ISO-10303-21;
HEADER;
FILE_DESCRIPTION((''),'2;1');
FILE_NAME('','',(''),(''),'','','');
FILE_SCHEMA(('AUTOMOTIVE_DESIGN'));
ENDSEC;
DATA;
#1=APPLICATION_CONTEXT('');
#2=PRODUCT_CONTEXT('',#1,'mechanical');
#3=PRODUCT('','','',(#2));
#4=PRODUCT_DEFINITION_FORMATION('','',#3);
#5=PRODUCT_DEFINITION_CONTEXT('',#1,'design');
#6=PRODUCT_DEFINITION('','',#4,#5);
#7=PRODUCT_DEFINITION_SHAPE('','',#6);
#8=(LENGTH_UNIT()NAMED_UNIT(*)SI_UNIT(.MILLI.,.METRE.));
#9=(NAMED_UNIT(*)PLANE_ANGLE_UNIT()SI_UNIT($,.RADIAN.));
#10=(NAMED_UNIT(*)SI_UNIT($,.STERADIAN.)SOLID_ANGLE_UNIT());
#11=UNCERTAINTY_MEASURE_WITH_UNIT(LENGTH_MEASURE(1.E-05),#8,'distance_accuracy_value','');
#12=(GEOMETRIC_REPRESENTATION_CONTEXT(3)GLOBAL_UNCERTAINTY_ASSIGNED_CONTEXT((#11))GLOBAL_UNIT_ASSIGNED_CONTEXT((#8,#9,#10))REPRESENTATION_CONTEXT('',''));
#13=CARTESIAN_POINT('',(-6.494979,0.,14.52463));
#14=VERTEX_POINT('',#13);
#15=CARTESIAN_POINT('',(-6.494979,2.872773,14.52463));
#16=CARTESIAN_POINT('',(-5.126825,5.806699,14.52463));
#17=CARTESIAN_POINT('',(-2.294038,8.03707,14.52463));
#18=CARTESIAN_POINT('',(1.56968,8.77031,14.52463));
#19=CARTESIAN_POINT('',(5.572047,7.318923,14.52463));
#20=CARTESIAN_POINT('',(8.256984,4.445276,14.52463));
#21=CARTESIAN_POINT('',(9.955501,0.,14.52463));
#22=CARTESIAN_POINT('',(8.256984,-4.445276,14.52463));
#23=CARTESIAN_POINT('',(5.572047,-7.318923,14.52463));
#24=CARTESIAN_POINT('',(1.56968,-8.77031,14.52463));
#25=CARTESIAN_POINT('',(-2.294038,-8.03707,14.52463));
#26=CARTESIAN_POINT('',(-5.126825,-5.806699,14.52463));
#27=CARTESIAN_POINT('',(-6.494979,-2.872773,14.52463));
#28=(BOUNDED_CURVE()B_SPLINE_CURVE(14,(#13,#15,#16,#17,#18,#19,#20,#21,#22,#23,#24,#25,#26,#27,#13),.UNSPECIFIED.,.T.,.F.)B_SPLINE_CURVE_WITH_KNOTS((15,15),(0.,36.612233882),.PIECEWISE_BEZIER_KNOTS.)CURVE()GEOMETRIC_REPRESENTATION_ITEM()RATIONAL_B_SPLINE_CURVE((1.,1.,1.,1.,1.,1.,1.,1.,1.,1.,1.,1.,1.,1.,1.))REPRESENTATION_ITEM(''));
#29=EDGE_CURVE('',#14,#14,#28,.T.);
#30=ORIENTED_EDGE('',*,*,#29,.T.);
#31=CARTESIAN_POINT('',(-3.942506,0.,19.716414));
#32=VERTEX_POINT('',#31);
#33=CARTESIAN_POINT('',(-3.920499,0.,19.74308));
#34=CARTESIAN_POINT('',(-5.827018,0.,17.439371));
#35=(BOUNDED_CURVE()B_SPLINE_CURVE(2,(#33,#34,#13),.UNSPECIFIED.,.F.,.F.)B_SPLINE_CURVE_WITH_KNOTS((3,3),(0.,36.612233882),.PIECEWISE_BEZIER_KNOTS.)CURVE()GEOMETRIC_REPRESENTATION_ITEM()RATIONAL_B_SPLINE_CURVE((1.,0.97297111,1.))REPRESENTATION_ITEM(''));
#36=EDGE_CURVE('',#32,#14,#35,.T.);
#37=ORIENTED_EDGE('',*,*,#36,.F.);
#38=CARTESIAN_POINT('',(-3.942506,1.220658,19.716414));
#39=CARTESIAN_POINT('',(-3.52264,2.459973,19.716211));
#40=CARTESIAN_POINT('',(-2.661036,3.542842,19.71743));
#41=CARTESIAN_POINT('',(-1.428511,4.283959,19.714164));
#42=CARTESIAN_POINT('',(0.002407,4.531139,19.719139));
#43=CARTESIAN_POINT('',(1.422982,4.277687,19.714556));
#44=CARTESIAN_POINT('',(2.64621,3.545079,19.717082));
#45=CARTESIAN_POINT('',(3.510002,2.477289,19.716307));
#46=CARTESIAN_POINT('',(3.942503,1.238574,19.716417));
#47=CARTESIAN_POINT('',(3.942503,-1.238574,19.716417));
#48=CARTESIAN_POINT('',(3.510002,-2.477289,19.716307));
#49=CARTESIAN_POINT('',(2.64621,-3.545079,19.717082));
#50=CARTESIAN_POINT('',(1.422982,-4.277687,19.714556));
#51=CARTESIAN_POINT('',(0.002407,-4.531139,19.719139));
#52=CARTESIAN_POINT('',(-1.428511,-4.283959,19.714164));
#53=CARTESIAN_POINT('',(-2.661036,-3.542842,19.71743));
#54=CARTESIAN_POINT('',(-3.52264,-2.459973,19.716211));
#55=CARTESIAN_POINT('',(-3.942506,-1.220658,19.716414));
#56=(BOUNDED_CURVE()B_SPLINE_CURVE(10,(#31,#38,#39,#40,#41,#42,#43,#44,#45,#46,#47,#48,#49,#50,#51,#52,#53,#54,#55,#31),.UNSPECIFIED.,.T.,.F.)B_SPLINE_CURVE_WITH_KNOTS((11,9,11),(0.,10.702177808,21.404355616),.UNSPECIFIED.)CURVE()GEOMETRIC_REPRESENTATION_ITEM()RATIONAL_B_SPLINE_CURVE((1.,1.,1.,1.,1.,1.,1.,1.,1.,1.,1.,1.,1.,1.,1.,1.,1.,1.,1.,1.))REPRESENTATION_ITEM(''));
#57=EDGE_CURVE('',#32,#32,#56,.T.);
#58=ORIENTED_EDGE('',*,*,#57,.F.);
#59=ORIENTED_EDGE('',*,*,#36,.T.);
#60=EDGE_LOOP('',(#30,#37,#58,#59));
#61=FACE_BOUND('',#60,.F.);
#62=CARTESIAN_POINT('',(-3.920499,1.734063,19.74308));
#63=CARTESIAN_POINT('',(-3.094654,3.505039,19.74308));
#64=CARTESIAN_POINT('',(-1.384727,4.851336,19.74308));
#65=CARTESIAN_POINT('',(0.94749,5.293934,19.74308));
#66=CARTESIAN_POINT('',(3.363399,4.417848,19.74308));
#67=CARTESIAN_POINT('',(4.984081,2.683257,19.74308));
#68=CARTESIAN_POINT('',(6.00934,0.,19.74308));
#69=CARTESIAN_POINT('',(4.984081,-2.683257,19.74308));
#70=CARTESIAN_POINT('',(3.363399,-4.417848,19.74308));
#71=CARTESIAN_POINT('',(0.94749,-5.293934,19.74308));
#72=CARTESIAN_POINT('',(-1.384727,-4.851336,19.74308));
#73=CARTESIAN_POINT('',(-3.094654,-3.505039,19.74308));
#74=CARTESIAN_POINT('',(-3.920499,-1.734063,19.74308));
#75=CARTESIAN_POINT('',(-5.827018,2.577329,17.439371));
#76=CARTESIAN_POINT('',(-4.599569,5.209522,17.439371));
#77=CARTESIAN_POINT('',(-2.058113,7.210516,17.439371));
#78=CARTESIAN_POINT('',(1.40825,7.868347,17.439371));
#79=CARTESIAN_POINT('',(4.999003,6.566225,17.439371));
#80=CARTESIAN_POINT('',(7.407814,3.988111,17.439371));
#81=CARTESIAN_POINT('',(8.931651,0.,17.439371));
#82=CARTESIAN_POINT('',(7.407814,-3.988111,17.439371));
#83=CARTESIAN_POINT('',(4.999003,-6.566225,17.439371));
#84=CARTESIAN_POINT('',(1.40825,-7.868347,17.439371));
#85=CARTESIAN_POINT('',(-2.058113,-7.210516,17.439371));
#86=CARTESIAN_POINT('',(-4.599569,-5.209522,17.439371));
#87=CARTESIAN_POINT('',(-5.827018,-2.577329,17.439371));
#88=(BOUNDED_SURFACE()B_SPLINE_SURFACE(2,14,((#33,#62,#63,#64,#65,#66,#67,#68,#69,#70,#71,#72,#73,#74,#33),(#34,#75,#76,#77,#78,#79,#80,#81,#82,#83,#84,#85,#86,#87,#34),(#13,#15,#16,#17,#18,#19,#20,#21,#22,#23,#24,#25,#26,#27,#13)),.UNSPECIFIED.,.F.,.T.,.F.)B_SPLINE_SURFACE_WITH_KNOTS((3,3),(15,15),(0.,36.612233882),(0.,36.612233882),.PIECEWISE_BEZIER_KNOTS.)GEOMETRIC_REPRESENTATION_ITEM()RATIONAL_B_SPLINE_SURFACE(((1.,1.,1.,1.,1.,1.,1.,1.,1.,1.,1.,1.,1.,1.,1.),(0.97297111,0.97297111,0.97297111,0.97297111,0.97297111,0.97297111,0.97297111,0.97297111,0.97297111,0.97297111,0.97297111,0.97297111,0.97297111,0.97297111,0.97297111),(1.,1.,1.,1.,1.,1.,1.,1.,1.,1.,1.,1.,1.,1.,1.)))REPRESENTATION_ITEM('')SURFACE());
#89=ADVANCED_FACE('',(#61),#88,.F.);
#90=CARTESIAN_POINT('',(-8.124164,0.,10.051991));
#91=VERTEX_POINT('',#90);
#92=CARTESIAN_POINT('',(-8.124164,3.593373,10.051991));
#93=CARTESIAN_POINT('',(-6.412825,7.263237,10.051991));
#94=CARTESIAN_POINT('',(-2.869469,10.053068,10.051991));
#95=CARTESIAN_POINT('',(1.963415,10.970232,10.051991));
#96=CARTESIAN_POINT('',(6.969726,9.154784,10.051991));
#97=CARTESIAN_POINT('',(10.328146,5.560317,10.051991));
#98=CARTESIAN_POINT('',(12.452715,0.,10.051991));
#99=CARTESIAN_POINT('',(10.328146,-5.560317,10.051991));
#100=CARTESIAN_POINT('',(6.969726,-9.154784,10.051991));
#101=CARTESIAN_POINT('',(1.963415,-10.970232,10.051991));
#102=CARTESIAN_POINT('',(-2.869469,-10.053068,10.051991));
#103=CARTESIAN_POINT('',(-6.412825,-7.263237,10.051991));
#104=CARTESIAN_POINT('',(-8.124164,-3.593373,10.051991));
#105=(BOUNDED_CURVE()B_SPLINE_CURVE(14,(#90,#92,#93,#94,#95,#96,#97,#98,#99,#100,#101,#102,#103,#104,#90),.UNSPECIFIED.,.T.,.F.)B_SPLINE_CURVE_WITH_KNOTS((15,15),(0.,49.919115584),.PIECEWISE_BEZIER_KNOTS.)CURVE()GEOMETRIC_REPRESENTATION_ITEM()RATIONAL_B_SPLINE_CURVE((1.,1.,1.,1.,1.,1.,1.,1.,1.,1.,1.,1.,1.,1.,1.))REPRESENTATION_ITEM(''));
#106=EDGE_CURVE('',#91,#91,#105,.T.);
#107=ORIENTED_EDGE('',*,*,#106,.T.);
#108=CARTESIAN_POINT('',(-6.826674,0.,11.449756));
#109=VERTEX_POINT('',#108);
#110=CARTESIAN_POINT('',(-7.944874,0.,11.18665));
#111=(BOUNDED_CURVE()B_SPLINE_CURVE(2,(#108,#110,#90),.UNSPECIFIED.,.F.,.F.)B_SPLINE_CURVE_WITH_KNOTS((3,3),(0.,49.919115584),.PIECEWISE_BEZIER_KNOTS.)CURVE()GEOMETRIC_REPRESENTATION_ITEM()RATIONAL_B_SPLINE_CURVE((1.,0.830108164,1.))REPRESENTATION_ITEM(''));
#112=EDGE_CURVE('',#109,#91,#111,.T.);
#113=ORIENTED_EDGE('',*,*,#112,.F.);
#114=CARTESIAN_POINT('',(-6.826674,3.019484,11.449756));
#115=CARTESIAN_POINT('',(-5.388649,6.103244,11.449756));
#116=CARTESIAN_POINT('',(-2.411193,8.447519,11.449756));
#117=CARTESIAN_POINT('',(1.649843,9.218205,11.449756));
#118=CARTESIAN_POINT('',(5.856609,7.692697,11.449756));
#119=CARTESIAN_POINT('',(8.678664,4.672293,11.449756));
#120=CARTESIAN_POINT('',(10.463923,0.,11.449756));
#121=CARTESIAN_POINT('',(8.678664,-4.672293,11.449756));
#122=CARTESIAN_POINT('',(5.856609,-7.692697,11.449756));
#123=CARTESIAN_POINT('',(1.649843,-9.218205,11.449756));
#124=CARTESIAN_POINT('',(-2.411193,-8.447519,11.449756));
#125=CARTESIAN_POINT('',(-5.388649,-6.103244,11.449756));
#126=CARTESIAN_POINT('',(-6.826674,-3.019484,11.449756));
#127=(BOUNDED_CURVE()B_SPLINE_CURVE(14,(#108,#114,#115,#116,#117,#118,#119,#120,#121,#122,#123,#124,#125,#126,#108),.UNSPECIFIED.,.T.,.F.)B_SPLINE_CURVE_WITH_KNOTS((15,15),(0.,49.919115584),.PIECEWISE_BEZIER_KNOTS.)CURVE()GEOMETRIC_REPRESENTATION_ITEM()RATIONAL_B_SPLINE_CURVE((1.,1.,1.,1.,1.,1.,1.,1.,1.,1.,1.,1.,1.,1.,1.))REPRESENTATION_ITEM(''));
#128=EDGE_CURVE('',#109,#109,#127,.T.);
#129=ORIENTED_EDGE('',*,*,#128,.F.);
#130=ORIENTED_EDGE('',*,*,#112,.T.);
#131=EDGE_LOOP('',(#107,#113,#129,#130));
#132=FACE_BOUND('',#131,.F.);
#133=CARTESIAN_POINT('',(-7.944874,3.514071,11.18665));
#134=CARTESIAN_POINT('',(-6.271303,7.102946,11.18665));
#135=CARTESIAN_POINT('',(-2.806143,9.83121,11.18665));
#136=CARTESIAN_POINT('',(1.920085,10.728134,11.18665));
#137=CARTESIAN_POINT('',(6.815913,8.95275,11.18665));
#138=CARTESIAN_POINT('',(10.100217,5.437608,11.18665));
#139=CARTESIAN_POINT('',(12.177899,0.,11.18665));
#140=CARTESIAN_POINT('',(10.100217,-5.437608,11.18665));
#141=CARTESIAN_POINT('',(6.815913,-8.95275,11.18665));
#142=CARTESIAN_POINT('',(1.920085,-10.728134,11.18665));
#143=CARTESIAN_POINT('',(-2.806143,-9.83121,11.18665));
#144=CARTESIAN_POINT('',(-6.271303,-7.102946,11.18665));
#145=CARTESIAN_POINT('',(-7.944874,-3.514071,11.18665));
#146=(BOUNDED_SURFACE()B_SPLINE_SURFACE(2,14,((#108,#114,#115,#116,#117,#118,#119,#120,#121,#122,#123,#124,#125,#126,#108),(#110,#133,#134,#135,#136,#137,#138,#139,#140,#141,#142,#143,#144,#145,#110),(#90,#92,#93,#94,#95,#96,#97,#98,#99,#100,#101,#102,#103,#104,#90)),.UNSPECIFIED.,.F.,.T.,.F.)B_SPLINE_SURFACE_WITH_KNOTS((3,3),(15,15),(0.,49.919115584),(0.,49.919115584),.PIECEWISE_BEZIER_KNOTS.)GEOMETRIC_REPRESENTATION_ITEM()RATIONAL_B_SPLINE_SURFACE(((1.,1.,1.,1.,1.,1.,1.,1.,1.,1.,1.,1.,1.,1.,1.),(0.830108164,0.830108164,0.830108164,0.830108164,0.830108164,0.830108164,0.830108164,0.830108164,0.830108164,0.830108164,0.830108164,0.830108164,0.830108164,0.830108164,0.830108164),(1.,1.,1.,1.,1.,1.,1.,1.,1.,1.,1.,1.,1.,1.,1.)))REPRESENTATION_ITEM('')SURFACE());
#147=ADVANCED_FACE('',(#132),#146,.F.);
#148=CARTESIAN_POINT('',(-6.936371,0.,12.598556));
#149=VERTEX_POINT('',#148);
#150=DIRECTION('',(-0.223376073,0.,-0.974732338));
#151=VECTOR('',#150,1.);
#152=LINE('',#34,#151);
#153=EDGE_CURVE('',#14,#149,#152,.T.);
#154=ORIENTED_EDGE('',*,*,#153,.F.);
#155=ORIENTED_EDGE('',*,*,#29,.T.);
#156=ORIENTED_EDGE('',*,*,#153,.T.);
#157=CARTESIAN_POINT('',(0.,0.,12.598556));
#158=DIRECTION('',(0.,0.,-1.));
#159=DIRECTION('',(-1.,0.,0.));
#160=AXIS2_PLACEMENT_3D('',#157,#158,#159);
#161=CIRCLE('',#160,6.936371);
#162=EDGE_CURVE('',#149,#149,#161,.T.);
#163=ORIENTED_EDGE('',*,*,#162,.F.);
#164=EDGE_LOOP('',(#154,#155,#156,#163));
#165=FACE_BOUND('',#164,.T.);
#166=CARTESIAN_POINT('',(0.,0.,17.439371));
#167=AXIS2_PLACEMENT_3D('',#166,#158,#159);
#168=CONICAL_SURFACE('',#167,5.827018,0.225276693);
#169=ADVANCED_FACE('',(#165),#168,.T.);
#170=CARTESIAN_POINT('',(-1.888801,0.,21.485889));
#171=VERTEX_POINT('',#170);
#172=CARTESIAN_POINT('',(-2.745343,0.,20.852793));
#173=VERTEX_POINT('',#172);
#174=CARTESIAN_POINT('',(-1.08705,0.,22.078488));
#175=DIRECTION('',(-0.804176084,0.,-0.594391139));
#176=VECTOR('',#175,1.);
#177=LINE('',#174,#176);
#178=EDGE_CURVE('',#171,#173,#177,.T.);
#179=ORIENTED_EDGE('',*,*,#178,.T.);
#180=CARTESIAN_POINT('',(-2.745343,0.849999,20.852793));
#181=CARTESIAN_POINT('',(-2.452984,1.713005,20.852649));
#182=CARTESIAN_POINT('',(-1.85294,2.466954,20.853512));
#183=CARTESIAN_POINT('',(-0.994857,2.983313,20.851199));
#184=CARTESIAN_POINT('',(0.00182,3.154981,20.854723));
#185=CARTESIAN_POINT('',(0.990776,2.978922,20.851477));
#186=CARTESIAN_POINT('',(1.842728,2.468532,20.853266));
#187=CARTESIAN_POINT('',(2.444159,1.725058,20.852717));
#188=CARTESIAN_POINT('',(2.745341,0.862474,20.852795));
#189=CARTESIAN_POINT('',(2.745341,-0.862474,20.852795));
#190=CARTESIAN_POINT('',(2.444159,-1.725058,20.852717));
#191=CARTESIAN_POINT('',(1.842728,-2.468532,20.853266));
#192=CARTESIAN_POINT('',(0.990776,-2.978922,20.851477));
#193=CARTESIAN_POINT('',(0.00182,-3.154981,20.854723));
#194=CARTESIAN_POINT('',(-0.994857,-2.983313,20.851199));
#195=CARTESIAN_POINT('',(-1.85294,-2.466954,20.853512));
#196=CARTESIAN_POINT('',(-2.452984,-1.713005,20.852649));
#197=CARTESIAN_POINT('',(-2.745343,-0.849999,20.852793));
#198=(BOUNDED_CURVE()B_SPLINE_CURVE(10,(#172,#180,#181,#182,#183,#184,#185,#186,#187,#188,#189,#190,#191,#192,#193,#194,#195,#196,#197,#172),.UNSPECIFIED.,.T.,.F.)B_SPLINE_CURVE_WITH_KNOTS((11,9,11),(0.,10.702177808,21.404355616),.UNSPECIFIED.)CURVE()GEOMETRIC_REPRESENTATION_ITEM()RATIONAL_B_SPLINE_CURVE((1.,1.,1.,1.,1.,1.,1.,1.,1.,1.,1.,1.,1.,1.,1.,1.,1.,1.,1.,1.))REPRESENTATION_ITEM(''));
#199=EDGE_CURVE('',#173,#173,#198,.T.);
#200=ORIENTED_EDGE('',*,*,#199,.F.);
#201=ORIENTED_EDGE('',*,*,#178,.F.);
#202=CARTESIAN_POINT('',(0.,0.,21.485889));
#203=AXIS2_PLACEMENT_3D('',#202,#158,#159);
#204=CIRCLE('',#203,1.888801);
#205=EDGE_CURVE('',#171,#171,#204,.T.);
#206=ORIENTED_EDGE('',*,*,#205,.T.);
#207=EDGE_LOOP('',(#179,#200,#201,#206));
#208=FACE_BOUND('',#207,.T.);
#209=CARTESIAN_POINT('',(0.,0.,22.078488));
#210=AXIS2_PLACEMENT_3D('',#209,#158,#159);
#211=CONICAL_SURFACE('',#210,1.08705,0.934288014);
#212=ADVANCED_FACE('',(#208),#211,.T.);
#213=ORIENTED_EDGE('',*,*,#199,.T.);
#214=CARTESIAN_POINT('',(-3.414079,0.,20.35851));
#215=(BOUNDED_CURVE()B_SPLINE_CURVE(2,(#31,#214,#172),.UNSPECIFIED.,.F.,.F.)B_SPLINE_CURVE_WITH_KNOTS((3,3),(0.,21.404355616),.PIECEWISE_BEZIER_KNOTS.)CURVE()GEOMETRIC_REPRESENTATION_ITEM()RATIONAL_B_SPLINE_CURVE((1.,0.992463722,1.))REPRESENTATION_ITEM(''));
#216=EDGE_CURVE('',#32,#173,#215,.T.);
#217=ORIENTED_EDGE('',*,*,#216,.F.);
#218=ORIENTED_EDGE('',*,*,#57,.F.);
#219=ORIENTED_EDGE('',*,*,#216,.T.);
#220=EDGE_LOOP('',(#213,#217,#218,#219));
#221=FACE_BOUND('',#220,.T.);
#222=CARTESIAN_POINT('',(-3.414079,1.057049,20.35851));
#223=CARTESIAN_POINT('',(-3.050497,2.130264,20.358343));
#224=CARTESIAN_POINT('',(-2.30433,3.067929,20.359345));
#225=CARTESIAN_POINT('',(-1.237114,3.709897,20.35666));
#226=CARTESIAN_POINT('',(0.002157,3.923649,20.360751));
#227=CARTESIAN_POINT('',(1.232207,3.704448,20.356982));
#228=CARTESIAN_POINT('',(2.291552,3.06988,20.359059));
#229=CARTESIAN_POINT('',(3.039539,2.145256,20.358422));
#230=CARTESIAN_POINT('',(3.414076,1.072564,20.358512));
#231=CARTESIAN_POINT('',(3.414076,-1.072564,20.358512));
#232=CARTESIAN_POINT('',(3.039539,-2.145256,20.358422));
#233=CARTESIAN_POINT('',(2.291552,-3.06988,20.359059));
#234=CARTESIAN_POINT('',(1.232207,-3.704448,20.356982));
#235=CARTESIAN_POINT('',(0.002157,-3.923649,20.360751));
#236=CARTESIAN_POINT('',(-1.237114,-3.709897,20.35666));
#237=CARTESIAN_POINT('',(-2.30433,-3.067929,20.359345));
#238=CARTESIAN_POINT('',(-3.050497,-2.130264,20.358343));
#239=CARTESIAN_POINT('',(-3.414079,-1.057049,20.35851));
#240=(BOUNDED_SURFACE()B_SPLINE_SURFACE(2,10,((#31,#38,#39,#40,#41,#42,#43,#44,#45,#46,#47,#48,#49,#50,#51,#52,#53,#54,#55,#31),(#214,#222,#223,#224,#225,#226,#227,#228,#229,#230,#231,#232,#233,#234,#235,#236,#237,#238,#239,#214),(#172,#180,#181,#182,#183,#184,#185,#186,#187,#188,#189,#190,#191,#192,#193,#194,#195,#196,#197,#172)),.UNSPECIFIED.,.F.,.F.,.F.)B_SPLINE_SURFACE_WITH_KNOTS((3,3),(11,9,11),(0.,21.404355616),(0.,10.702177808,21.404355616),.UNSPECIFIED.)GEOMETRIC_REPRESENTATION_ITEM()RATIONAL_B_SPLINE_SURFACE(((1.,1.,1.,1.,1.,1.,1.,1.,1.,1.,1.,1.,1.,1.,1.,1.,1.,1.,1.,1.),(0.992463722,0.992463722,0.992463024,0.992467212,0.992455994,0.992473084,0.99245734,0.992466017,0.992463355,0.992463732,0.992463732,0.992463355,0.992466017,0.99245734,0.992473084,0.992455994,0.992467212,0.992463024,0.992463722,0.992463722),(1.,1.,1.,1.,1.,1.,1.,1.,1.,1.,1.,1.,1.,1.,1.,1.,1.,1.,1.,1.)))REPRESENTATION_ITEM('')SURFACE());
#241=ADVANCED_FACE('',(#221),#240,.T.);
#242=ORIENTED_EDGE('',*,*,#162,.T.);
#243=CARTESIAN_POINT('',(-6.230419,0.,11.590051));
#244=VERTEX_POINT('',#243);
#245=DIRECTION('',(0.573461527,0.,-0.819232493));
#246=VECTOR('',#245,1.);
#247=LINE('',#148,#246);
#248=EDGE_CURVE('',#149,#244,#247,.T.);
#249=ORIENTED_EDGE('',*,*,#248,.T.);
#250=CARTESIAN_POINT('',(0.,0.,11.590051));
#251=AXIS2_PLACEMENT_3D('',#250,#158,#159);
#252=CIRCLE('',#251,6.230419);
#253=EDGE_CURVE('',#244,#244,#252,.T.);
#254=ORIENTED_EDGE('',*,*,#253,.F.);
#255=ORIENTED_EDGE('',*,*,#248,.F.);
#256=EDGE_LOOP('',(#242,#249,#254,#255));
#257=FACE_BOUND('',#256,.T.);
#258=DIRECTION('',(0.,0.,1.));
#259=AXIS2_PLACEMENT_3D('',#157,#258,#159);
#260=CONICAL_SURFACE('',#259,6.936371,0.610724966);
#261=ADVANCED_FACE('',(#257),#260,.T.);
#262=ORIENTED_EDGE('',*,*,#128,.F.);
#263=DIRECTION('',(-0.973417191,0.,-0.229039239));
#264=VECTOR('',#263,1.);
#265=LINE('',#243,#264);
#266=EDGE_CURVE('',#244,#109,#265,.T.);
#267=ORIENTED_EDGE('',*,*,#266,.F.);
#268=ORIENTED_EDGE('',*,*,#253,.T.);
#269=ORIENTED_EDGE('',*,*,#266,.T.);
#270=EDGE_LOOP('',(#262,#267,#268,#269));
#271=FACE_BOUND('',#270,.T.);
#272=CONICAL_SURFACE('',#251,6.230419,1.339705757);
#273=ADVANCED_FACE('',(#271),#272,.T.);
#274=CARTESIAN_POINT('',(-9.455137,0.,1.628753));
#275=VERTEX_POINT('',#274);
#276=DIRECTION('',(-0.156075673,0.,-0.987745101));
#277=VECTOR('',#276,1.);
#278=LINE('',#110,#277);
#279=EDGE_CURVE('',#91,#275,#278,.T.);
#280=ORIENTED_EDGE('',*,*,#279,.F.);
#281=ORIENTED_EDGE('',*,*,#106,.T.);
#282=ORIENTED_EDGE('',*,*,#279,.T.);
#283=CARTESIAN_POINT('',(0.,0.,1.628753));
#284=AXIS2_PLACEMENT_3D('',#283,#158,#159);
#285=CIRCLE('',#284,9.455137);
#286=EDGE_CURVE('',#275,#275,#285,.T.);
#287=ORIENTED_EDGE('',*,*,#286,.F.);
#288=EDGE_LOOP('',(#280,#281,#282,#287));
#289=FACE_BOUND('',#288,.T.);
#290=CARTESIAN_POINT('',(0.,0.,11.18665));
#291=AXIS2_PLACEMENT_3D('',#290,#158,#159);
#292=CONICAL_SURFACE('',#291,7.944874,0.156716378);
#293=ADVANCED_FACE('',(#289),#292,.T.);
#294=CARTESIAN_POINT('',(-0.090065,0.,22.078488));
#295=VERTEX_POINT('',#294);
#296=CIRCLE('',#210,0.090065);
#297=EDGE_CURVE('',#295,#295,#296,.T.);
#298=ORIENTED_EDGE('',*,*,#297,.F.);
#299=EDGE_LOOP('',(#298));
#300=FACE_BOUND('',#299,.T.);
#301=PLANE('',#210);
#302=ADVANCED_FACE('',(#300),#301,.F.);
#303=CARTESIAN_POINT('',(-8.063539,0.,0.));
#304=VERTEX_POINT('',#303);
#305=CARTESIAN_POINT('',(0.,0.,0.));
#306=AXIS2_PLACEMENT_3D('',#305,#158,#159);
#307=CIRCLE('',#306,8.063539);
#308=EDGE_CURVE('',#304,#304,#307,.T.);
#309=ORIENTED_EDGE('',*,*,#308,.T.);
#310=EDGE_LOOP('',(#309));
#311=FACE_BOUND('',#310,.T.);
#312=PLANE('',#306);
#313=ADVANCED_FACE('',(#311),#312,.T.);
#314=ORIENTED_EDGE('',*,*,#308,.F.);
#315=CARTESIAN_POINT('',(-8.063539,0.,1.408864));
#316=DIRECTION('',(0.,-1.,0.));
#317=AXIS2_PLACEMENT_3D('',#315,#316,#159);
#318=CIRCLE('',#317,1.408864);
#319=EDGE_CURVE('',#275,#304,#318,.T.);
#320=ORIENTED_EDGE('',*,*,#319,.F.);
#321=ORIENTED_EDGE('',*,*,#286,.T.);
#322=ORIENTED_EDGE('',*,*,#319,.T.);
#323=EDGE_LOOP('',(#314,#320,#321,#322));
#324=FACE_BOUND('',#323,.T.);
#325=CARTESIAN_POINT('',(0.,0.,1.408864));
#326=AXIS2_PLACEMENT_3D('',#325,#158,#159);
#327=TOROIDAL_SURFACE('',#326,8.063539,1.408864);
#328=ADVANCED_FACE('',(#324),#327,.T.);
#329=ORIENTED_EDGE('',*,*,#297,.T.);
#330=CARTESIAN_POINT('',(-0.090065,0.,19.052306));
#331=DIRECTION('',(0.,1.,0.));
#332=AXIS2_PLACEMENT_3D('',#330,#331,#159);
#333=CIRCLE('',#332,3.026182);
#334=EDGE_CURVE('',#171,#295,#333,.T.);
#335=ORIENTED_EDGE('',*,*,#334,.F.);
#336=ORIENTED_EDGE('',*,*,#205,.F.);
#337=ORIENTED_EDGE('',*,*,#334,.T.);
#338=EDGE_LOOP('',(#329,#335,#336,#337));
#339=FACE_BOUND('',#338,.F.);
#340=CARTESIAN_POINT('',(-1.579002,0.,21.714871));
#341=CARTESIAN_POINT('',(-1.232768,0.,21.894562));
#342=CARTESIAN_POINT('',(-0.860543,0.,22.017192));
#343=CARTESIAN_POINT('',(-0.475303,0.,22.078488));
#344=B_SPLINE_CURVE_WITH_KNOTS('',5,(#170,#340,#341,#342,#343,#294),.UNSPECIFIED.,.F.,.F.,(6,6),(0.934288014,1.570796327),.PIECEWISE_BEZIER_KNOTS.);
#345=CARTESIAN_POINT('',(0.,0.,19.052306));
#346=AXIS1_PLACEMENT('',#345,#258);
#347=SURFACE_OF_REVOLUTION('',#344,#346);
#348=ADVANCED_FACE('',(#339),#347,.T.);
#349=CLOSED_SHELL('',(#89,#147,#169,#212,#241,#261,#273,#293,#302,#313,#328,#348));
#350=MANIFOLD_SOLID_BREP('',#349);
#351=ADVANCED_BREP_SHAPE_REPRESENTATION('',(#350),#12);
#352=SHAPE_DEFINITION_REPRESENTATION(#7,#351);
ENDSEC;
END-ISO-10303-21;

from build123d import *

# Parameters (mm, degrees)
F2_R = 12.599118
F3_R = 6.735102
F4_R = 3.026182
F5_R = 1.710135
F6_R = 1.408864


with BuildPart() as f1:
    # F0 (on Front) → F1 (revolve)
    with BuildSketch(Plane.XZ):
        Polygon((-9.7125, 0), (0, 0), (0, 22.078488), (-1.08705, 22.078488), (-3.406609, 20.364031), (-5.827018, 17.439371), (-6.936371, 12.598556), (-6.230419, 11.590051), (-7.944874, 11.18665), align=None)
    revolve(axis=Axis((0, 0, 11.039244), (0, 0, -1)))

    # F2
    f2_edges = [f1.edges().sort_by_distance(p)[0] for p in [
        (5.827018, 0, 17.439371),
    ]]
    fillet(f2_edges, radius=F2_R)

    # F3
    f3_edges = [f1.edges().sort_by_distance(p)[0] for p in [
        (3.406609, 0, 20.364031),
    ]]
    fillet(f3_edges, radius=F3_R)

    # F4
    f4_edges = [f1.edges().sort_by_distance(p)[0] for p in [
        (1.08705, 0, 22.078488),
    ]]
    fillet(f4_edges, radius=F4_R)

    # F5
    f5_edges = [f1.edges().sort_by_distance(p)[0] for p in [
        (7.944874, 0, 11.18665),
    ]]
    fillet(f5_edges, radius=F5_R)

    # F6
    f6_edges = [f1.edges().sort_by_distance(p)[0] for p in [
        (9.7125, 0, 0),
    ]]
    fillet(f6_edges, radius=F6_R)


solid = f1.part
